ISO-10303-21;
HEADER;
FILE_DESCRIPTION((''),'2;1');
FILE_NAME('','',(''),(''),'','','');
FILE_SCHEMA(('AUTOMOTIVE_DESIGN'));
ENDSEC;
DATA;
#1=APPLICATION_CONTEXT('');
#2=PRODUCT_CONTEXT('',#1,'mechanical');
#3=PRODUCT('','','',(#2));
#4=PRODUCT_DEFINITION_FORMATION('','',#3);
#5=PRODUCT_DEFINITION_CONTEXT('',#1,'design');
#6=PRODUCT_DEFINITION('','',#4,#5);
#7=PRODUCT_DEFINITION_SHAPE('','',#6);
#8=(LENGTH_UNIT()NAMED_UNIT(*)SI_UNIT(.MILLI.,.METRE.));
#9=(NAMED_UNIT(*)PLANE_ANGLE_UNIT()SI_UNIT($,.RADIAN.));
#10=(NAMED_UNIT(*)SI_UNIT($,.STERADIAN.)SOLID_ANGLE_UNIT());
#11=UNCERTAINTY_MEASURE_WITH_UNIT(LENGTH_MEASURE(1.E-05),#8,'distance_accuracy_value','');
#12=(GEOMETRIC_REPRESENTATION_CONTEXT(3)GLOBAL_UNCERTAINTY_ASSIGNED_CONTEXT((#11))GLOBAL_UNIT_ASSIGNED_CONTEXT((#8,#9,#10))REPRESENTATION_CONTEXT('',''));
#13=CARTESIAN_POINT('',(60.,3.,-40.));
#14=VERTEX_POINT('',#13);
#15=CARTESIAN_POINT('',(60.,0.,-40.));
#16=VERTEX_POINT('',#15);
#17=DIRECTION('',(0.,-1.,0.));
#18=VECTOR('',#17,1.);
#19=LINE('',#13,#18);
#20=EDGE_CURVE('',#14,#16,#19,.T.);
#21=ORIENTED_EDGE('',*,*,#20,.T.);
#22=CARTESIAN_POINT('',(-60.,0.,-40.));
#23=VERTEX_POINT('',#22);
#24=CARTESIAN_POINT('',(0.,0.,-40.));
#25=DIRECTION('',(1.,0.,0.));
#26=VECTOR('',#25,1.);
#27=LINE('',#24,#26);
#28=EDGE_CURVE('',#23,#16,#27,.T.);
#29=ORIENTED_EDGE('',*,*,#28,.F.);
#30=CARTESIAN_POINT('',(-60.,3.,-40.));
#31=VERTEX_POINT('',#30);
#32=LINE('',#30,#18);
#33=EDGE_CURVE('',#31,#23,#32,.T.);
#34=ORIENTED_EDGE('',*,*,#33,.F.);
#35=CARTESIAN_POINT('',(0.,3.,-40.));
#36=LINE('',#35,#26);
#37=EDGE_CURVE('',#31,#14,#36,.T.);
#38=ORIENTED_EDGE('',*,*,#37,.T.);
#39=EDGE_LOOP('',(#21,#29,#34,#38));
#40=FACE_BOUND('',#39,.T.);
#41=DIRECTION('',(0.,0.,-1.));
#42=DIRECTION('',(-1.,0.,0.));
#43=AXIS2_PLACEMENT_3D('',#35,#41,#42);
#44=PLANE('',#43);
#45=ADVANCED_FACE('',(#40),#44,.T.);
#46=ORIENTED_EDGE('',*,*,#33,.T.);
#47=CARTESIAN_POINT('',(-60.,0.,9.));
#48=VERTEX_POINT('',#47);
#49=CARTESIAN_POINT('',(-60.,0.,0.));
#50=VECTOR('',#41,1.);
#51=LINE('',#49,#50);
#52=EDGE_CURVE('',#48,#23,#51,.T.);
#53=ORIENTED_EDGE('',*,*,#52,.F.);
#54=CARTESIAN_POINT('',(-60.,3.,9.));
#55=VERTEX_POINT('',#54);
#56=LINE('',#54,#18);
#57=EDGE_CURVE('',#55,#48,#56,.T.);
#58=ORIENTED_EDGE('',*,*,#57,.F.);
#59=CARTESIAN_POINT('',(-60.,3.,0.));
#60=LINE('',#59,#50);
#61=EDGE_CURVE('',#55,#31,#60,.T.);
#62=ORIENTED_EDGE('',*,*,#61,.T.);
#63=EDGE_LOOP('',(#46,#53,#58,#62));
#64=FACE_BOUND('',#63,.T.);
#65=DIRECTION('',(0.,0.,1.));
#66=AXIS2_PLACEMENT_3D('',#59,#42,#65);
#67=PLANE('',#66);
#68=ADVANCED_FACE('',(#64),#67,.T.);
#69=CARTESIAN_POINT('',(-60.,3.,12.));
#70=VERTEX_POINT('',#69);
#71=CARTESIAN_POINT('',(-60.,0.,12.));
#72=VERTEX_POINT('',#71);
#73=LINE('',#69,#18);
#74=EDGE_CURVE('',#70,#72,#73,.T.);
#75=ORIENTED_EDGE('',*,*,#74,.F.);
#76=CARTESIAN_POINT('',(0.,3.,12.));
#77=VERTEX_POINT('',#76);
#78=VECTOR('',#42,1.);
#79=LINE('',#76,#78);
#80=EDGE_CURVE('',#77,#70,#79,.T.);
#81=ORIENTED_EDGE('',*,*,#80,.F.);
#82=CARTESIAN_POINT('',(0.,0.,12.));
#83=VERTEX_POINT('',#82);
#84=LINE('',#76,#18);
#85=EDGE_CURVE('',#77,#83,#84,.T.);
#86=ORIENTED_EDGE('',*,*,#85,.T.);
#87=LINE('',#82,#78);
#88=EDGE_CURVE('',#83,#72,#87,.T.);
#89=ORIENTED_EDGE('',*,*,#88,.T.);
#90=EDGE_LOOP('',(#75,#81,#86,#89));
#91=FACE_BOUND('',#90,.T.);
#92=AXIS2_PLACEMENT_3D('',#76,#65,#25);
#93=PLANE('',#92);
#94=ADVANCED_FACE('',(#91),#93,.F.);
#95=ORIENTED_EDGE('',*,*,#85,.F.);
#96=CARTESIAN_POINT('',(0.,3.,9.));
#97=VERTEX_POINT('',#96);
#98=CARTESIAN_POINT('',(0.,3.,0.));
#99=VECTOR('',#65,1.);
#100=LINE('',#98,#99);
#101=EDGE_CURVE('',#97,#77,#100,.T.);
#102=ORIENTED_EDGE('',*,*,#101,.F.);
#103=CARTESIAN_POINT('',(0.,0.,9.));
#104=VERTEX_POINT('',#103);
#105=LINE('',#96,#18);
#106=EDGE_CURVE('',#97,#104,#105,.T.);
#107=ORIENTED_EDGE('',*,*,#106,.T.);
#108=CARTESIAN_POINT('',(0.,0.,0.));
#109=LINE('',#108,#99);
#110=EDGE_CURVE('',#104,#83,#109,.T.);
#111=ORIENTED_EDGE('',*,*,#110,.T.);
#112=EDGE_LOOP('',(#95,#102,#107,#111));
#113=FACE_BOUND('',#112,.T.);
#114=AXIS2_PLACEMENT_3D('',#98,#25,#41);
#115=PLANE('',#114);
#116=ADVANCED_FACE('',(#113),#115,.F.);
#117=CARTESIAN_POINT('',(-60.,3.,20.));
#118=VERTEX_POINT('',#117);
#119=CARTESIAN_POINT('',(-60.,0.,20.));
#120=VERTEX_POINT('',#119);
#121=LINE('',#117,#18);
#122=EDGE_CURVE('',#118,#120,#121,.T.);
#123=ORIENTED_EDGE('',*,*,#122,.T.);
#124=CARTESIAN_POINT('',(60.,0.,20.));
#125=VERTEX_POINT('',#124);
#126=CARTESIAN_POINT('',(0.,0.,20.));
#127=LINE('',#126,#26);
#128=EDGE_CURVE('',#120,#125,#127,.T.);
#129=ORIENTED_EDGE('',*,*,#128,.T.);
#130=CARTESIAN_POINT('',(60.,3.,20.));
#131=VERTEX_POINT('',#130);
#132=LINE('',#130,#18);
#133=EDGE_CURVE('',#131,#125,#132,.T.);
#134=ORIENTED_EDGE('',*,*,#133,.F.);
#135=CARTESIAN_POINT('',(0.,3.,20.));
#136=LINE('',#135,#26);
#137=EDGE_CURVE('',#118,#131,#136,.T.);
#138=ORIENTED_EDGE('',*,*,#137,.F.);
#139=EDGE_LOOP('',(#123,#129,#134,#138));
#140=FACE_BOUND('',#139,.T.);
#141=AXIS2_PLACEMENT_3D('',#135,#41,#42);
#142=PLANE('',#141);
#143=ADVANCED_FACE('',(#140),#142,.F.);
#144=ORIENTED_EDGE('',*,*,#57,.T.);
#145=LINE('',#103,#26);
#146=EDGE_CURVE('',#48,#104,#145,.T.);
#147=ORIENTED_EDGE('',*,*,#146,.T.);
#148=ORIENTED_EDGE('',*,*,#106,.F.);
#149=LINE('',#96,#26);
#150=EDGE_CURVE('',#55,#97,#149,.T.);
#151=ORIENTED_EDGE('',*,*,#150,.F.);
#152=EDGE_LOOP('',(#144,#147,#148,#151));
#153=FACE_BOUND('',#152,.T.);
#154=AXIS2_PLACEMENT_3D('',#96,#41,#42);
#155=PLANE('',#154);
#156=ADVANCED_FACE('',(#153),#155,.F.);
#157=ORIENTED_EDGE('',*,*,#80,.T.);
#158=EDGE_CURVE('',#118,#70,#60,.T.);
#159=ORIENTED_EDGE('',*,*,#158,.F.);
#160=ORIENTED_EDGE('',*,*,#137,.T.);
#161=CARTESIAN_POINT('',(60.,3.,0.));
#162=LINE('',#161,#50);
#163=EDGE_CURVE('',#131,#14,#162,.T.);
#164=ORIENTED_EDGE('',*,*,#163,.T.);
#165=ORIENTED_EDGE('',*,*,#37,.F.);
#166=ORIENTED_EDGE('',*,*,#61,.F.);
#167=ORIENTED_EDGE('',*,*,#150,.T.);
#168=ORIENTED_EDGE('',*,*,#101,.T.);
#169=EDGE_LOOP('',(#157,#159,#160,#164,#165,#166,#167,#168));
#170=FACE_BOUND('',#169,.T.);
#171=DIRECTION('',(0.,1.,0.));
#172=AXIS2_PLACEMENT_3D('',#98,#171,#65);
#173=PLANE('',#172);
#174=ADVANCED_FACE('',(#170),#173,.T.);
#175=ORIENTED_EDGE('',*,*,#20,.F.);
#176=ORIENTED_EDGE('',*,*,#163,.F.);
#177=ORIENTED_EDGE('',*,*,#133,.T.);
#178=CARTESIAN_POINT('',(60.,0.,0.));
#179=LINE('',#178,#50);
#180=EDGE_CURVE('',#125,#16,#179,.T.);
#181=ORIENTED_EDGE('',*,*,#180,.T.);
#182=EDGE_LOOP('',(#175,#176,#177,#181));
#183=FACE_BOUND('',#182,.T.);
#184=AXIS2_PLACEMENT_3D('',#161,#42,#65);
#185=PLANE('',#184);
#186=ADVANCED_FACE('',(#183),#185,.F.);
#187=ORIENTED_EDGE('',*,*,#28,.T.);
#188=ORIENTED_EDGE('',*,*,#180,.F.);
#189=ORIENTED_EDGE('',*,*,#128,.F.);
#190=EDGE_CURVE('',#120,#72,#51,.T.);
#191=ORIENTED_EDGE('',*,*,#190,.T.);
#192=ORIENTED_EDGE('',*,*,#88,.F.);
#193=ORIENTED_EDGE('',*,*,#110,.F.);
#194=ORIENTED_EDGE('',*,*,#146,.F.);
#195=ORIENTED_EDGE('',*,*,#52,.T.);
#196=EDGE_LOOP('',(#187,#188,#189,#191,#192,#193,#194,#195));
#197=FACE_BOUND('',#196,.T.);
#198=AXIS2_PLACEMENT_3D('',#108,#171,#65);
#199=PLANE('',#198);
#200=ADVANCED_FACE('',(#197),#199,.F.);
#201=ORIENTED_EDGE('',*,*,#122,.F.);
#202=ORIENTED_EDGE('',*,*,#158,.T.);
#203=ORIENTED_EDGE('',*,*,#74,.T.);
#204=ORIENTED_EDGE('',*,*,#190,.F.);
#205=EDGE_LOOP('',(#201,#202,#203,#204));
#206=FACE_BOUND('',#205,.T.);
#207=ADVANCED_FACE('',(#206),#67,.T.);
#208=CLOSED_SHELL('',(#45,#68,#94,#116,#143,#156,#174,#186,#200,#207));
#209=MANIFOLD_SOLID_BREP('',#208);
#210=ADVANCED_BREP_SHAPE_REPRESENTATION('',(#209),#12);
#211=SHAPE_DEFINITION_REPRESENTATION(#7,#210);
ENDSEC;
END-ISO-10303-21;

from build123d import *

# Parameters (mm, degrees)
BOSS_EXTRUDE1_DEPTH = 3


with BuildPart() as part:
    # Sketch1 → Boss-Extrude1 (new body)
    with BuildSketch(Plane(origin=(0, 0, 0), x_dir=(1, 0, 0), z_dir=(0, 1, 0))):
        Polygon((-60, 40), (-60, -9), (0, -9), (0, -12), (-60, -12), (-60, -20), (60, -20), (60, 40), align=None)
    extrude(amount=BOSS_EXTRUDE1_DEPTH)


solid = part.part
